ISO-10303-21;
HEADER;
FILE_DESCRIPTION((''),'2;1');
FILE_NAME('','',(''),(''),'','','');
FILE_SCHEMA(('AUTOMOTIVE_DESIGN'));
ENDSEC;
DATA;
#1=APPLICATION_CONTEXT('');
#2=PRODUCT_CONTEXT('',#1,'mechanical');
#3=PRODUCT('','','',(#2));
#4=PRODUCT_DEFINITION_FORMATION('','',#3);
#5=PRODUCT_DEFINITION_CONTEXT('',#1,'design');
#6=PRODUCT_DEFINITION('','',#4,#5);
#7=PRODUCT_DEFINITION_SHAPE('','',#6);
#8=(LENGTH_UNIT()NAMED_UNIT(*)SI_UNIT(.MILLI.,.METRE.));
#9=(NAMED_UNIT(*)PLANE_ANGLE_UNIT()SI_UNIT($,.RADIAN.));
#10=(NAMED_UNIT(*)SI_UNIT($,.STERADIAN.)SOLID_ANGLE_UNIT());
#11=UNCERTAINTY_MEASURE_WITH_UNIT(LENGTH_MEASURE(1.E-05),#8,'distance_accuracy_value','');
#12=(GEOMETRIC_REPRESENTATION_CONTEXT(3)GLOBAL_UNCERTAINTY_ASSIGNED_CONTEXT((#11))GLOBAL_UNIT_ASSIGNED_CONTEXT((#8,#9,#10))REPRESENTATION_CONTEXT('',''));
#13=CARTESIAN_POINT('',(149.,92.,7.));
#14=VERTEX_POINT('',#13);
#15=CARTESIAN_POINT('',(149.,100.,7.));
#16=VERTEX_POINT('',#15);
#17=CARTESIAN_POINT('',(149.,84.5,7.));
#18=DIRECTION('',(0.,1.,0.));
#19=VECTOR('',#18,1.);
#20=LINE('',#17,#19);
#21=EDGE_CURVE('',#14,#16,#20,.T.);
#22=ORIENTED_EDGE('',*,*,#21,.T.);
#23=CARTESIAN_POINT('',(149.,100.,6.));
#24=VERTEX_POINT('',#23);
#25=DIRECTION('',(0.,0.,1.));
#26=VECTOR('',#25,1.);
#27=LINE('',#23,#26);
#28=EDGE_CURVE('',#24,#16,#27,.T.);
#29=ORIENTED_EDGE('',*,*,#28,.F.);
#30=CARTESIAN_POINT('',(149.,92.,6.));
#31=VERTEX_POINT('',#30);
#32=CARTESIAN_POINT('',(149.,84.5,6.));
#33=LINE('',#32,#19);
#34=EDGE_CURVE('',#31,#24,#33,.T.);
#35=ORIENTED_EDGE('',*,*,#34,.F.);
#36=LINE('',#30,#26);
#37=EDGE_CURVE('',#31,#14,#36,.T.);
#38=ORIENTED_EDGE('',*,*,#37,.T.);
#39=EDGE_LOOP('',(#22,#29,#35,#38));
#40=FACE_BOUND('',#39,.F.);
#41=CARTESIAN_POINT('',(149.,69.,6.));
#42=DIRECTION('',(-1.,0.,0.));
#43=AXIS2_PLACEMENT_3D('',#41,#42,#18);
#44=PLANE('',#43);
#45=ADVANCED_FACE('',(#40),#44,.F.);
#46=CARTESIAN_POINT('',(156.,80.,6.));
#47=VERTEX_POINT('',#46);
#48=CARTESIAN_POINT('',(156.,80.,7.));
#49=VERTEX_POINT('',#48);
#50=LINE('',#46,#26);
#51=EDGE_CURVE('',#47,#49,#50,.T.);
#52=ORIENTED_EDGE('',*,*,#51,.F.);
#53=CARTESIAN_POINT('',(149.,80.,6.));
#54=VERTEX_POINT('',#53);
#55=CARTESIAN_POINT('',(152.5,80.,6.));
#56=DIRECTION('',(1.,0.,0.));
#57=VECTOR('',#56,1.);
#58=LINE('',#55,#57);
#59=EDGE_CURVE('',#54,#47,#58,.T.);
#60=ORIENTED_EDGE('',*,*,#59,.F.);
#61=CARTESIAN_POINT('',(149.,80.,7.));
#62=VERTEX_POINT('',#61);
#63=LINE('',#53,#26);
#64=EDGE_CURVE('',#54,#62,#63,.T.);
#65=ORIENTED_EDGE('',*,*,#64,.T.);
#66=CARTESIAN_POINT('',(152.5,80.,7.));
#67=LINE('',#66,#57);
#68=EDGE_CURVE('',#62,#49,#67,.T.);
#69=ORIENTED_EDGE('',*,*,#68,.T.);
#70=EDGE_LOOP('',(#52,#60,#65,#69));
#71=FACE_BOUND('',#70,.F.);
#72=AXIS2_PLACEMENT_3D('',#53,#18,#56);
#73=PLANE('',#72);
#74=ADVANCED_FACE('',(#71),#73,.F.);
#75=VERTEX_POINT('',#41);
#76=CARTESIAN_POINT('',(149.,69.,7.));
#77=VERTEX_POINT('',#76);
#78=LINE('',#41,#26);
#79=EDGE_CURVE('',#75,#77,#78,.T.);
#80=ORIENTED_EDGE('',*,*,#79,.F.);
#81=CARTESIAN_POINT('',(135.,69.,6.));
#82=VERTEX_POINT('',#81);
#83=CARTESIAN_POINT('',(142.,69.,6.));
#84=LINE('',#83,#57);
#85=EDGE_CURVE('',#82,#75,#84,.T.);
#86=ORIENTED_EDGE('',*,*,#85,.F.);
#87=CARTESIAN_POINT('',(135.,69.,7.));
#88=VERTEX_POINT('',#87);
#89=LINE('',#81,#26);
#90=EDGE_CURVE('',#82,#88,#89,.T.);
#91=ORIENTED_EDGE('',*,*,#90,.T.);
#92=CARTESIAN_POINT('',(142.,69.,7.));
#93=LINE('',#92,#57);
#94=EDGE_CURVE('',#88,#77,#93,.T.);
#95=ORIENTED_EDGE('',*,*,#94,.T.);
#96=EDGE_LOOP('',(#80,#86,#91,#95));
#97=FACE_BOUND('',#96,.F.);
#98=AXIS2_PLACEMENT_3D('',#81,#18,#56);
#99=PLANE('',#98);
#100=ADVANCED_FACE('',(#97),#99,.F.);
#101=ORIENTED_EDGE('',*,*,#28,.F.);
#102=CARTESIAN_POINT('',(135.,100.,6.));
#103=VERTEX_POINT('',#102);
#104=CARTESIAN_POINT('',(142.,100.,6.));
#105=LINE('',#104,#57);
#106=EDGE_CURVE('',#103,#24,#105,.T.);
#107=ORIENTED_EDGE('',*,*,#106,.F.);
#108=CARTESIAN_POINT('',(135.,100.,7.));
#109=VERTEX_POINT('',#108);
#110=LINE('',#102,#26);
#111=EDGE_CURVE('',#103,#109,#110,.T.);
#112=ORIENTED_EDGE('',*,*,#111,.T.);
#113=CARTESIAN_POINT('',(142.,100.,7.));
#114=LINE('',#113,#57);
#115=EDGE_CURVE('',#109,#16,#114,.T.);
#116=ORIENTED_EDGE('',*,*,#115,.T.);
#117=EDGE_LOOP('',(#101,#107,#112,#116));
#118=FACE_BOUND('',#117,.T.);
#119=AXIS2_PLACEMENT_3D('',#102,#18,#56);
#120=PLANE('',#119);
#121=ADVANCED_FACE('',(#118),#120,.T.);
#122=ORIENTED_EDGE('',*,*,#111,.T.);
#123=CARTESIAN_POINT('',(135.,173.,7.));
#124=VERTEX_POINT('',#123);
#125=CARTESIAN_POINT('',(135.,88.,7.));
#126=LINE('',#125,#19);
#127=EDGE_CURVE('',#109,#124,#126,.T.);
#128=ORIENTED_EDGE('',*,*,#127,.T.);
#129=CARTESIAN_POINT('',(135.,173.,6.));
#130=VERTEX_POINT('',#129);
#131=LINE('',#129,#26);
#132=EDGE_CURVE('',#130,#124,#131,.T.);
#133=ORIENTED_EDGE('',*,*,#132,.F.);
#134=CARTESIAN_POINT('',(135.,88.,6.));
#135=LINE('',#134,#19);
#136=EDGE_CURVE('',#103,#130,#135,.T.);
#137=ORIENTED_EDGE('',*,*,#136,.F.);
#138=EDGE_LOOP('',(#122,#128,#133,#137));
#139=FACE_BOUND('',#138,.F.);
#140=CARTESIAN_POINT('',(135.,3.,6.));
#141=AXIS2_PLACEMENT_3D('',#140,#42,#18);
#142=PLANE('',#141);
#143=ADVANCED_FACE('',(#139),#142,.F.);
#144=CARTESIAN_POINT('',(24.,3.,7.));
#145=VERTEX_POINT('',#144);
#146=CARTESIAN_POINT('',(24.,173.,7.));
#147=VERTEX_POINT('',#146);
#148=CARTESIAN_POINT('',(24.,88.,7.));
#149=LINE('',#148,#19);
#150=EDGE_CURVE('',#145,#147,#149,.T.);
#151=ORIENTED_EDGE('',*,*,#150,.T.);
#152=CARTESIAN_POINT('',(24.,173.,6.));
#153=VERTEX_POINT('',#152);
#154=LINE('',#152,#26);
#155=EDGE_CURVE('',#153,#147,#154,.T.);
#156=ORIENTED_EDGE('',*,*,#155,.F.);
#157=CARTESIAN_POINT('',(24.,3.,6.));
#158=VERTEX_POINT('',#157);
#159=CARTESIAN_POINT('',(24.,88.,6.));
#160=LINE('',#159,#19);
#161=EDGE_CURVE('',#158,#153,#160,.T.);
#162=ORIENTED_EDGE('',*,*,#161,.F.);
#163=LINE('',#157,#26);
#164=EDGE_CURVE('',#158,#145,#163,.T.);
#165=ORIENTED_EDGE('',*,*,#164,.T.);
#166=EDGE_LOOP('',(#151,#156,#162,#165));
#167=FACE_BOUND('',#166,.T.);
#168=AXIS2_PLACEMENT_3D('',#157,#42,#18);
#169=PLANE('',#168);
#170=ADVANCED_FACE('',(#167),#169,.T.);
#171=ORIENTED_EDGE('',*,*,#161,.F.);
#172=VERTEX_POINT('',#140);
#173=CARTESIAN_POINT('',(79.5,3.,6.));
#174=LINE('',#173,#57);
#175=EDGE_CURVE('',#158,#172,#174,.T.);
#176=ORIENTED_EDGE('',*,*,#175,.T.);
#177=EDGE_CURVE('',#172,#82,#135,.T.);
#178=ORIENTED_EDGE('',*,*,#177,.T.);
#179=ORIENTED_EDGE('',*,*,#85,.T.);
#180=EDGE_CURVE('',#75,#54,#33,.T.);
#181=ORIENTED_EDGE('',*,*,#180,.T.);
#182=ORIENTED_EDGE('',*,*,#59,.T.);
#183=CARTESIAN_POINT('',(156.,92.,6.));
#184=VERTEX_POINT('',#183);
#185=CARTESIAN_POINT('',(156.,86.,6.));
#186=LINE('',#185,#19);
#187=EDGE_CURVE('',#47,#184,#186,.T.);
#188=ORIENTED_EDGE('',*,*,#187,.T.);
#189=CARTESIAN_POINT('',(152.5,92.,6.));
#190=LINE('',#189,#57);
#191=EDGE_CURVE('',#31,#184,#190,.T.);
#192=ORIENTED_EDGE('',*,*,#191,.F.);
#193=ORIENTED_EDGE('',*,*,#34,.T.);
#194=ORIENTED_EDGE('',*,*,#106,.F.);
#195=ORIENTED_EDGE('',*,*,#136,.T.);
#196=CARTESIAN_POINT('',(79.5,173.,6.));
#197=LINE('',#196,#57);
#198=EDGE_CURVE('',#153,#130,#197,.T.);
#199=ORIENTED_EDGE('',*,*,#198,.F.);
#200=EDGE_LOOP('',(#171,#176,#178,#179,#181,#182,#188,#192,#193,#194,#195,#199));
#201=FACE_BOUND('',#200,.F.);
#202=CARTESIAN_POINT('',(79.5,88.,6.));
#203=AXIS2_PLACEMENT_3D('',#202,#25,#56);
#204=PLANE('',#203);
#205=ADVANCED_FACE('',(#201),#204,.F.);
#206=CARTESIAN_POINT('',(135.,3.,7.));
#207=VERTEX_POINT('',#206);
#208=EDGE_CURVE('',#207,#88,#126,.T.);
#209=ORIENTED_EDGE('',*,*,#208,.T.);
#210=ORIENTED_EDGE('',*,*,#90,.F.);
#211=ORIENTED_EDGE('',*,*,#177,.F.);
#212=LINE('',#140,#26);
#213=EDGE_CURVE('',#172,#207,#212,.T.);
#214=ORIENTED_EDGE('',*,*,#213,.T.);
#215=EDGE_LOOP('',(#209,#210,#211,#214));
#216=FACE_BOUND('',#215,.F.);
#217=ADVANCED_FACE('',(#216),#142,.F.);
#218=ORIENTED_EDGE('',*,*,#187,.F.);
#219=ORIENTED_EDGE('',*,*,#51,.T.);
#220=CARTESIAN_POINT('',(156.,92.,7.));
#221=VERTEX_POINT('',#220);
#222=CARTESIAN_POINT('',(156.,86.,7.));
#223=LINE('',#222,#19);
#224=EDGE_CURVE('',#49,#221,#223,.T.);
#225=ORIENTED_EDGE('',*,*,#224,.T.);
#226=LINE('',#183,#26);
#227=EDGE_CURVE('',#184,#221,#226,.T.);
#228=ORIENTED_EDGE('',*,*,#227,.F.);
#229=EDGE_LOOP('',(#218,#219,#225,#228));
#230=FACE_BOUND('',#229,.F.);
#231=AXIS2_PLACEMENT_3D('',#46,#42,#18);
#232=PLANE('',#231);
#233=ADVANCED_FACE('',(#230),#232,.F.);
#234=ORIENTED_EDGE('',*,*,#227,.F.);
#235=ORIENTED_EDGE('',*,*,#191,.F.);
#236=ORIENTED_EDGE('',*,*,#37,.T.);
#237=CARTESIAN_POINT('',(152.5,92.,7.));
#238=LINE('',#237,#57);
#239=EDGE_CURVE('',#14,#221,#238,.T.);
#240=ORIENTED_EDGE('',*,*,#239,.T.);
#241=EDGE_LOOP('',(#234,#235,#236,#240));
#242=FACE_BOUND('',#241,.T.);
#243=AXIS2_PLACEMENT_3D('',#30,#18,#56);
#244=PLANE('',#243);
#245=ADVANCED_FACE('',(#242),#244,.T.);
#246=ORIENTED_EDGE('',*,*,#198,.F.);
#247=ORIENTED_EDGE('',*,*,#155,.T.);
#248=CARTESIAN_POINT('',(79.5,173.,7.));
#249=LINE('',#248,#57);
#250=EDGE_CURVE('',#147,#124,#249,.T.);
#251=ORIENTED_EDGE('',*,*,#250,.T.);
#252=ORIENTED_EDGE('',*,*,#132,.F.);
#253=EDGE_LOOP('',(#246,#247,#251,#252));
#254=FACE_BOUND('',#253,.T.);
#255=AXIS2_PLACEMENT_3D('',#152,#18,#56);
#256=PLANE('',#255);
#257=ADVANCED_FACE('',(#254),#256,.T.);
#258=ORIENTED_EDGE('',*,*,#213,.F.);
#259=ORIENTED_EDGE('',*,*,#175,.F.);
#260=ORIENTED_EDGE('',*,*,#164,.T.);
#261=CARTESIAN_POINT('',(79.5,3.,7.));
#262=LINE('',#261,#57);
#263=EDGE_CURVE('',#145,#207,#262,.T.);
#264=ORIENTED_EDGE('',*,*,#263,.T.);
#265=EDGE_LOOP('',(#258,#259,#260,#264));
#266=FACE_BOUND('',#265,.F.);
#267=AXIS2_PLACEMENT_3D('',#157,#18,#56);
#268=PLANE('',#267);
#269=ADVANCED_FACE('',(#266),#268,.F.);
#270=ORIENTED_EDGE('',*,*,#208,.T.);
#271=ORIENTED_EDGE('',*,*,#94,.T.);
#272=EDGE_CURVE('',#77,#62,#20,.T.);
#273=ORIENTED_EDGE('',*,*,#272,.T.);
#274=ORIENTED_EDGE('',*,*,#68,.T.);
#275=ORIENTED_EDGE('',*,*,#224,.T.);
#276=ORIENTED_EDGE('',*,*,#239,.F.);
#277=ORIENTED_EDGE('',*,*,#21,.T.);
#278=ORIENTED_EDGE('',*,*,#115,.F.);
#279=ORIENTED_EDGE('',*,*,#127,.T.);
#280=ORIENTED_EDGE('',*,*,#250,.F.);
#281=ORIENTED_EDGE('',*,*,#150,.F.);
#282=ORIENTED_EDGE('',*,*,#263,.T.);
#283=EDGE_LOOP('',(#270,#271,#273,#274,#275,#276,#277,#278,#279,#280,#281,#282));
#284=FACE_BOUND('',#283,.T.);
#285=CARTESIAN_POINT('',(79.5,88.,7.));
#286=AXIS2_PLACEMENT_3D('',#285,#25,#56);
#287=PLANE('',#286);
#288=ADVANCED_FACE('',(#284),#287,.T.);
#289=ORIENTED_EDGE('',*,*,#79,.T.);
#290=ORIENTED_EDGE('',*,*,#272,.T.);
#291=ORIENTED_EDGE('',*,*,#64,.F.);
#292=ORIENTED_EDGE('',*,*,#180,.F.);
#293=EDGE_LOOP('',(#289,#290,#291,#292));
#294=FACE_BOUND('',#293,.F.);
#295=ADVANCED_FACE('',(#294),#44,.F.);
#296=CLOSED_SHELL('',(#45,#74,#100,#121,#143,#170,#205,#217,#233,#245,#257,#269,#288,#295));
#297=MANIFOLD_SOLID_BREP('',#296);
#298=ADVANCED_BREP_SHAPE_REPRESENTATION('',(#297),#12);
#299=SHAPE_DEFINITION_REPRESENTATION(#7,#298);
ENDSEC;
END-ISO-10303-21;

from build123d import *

# Parameters (mm, degrees)
BOX014_W     = 111
BOX014_H     = 170
BOX014_DEPTH = 1
BOX015_W     = 14
BOX015_H     = 31
BOX015_DEPTH = 1
BOX016_W     = 7
BOX016_H     = 12
BOX016_DEPTH = 1
BOX017_W     = 97
BOX017_H     = 163
BOX017_DEPTH = 1


with BuildPart() as part:
    # Box014 → Box014 (join)
    with BuildSketch(Plane.XY):
        with Locations((55.5, 85)):
            Rectangle(BOX014_W, BOX014_H)
    extrude(amount=BOX014_DEPTH)

    # Box015 → Box015 (join)
    with BuildSketch(Plane(origin=(111, 66, 0), x_dir=(1, 0, 0), z_dir=(0, 0, 1))):
        with Locations((7, 15.5)):
            Rectangle(BOX015_W, BOX015_H)
    extrude(amount=BOX015_DEPTH)

    # Box016 → Box016 (join)
    with BuildSketch(Plane(origin=(125, 77, 0), x_dir=(1, 0, 0), z_dir=(0, 0, 1))):
        with Locations((3.5, 6)):
            Rectangle(BOX016_W, BOX016_H)
    extrude(amount=BOX016_DEPTH)

    # Box017 → Box017 (join)
    with BuildSketch(Plane(origin=(3, 3, 0), x_dir=(1, 0, 0), z_dir=(0, 0, 1))):
        with Locations((48.5, 81.5)):
            Rectangle(BOX017_W, BOX017_H)
    extrude(amount=BOX017_DEPTH)


with BuildPart() as part_1:
    # Body002 placement: moved
    add(part.part.moved(Location((24, 3, 6))))


solid = part_1.part
